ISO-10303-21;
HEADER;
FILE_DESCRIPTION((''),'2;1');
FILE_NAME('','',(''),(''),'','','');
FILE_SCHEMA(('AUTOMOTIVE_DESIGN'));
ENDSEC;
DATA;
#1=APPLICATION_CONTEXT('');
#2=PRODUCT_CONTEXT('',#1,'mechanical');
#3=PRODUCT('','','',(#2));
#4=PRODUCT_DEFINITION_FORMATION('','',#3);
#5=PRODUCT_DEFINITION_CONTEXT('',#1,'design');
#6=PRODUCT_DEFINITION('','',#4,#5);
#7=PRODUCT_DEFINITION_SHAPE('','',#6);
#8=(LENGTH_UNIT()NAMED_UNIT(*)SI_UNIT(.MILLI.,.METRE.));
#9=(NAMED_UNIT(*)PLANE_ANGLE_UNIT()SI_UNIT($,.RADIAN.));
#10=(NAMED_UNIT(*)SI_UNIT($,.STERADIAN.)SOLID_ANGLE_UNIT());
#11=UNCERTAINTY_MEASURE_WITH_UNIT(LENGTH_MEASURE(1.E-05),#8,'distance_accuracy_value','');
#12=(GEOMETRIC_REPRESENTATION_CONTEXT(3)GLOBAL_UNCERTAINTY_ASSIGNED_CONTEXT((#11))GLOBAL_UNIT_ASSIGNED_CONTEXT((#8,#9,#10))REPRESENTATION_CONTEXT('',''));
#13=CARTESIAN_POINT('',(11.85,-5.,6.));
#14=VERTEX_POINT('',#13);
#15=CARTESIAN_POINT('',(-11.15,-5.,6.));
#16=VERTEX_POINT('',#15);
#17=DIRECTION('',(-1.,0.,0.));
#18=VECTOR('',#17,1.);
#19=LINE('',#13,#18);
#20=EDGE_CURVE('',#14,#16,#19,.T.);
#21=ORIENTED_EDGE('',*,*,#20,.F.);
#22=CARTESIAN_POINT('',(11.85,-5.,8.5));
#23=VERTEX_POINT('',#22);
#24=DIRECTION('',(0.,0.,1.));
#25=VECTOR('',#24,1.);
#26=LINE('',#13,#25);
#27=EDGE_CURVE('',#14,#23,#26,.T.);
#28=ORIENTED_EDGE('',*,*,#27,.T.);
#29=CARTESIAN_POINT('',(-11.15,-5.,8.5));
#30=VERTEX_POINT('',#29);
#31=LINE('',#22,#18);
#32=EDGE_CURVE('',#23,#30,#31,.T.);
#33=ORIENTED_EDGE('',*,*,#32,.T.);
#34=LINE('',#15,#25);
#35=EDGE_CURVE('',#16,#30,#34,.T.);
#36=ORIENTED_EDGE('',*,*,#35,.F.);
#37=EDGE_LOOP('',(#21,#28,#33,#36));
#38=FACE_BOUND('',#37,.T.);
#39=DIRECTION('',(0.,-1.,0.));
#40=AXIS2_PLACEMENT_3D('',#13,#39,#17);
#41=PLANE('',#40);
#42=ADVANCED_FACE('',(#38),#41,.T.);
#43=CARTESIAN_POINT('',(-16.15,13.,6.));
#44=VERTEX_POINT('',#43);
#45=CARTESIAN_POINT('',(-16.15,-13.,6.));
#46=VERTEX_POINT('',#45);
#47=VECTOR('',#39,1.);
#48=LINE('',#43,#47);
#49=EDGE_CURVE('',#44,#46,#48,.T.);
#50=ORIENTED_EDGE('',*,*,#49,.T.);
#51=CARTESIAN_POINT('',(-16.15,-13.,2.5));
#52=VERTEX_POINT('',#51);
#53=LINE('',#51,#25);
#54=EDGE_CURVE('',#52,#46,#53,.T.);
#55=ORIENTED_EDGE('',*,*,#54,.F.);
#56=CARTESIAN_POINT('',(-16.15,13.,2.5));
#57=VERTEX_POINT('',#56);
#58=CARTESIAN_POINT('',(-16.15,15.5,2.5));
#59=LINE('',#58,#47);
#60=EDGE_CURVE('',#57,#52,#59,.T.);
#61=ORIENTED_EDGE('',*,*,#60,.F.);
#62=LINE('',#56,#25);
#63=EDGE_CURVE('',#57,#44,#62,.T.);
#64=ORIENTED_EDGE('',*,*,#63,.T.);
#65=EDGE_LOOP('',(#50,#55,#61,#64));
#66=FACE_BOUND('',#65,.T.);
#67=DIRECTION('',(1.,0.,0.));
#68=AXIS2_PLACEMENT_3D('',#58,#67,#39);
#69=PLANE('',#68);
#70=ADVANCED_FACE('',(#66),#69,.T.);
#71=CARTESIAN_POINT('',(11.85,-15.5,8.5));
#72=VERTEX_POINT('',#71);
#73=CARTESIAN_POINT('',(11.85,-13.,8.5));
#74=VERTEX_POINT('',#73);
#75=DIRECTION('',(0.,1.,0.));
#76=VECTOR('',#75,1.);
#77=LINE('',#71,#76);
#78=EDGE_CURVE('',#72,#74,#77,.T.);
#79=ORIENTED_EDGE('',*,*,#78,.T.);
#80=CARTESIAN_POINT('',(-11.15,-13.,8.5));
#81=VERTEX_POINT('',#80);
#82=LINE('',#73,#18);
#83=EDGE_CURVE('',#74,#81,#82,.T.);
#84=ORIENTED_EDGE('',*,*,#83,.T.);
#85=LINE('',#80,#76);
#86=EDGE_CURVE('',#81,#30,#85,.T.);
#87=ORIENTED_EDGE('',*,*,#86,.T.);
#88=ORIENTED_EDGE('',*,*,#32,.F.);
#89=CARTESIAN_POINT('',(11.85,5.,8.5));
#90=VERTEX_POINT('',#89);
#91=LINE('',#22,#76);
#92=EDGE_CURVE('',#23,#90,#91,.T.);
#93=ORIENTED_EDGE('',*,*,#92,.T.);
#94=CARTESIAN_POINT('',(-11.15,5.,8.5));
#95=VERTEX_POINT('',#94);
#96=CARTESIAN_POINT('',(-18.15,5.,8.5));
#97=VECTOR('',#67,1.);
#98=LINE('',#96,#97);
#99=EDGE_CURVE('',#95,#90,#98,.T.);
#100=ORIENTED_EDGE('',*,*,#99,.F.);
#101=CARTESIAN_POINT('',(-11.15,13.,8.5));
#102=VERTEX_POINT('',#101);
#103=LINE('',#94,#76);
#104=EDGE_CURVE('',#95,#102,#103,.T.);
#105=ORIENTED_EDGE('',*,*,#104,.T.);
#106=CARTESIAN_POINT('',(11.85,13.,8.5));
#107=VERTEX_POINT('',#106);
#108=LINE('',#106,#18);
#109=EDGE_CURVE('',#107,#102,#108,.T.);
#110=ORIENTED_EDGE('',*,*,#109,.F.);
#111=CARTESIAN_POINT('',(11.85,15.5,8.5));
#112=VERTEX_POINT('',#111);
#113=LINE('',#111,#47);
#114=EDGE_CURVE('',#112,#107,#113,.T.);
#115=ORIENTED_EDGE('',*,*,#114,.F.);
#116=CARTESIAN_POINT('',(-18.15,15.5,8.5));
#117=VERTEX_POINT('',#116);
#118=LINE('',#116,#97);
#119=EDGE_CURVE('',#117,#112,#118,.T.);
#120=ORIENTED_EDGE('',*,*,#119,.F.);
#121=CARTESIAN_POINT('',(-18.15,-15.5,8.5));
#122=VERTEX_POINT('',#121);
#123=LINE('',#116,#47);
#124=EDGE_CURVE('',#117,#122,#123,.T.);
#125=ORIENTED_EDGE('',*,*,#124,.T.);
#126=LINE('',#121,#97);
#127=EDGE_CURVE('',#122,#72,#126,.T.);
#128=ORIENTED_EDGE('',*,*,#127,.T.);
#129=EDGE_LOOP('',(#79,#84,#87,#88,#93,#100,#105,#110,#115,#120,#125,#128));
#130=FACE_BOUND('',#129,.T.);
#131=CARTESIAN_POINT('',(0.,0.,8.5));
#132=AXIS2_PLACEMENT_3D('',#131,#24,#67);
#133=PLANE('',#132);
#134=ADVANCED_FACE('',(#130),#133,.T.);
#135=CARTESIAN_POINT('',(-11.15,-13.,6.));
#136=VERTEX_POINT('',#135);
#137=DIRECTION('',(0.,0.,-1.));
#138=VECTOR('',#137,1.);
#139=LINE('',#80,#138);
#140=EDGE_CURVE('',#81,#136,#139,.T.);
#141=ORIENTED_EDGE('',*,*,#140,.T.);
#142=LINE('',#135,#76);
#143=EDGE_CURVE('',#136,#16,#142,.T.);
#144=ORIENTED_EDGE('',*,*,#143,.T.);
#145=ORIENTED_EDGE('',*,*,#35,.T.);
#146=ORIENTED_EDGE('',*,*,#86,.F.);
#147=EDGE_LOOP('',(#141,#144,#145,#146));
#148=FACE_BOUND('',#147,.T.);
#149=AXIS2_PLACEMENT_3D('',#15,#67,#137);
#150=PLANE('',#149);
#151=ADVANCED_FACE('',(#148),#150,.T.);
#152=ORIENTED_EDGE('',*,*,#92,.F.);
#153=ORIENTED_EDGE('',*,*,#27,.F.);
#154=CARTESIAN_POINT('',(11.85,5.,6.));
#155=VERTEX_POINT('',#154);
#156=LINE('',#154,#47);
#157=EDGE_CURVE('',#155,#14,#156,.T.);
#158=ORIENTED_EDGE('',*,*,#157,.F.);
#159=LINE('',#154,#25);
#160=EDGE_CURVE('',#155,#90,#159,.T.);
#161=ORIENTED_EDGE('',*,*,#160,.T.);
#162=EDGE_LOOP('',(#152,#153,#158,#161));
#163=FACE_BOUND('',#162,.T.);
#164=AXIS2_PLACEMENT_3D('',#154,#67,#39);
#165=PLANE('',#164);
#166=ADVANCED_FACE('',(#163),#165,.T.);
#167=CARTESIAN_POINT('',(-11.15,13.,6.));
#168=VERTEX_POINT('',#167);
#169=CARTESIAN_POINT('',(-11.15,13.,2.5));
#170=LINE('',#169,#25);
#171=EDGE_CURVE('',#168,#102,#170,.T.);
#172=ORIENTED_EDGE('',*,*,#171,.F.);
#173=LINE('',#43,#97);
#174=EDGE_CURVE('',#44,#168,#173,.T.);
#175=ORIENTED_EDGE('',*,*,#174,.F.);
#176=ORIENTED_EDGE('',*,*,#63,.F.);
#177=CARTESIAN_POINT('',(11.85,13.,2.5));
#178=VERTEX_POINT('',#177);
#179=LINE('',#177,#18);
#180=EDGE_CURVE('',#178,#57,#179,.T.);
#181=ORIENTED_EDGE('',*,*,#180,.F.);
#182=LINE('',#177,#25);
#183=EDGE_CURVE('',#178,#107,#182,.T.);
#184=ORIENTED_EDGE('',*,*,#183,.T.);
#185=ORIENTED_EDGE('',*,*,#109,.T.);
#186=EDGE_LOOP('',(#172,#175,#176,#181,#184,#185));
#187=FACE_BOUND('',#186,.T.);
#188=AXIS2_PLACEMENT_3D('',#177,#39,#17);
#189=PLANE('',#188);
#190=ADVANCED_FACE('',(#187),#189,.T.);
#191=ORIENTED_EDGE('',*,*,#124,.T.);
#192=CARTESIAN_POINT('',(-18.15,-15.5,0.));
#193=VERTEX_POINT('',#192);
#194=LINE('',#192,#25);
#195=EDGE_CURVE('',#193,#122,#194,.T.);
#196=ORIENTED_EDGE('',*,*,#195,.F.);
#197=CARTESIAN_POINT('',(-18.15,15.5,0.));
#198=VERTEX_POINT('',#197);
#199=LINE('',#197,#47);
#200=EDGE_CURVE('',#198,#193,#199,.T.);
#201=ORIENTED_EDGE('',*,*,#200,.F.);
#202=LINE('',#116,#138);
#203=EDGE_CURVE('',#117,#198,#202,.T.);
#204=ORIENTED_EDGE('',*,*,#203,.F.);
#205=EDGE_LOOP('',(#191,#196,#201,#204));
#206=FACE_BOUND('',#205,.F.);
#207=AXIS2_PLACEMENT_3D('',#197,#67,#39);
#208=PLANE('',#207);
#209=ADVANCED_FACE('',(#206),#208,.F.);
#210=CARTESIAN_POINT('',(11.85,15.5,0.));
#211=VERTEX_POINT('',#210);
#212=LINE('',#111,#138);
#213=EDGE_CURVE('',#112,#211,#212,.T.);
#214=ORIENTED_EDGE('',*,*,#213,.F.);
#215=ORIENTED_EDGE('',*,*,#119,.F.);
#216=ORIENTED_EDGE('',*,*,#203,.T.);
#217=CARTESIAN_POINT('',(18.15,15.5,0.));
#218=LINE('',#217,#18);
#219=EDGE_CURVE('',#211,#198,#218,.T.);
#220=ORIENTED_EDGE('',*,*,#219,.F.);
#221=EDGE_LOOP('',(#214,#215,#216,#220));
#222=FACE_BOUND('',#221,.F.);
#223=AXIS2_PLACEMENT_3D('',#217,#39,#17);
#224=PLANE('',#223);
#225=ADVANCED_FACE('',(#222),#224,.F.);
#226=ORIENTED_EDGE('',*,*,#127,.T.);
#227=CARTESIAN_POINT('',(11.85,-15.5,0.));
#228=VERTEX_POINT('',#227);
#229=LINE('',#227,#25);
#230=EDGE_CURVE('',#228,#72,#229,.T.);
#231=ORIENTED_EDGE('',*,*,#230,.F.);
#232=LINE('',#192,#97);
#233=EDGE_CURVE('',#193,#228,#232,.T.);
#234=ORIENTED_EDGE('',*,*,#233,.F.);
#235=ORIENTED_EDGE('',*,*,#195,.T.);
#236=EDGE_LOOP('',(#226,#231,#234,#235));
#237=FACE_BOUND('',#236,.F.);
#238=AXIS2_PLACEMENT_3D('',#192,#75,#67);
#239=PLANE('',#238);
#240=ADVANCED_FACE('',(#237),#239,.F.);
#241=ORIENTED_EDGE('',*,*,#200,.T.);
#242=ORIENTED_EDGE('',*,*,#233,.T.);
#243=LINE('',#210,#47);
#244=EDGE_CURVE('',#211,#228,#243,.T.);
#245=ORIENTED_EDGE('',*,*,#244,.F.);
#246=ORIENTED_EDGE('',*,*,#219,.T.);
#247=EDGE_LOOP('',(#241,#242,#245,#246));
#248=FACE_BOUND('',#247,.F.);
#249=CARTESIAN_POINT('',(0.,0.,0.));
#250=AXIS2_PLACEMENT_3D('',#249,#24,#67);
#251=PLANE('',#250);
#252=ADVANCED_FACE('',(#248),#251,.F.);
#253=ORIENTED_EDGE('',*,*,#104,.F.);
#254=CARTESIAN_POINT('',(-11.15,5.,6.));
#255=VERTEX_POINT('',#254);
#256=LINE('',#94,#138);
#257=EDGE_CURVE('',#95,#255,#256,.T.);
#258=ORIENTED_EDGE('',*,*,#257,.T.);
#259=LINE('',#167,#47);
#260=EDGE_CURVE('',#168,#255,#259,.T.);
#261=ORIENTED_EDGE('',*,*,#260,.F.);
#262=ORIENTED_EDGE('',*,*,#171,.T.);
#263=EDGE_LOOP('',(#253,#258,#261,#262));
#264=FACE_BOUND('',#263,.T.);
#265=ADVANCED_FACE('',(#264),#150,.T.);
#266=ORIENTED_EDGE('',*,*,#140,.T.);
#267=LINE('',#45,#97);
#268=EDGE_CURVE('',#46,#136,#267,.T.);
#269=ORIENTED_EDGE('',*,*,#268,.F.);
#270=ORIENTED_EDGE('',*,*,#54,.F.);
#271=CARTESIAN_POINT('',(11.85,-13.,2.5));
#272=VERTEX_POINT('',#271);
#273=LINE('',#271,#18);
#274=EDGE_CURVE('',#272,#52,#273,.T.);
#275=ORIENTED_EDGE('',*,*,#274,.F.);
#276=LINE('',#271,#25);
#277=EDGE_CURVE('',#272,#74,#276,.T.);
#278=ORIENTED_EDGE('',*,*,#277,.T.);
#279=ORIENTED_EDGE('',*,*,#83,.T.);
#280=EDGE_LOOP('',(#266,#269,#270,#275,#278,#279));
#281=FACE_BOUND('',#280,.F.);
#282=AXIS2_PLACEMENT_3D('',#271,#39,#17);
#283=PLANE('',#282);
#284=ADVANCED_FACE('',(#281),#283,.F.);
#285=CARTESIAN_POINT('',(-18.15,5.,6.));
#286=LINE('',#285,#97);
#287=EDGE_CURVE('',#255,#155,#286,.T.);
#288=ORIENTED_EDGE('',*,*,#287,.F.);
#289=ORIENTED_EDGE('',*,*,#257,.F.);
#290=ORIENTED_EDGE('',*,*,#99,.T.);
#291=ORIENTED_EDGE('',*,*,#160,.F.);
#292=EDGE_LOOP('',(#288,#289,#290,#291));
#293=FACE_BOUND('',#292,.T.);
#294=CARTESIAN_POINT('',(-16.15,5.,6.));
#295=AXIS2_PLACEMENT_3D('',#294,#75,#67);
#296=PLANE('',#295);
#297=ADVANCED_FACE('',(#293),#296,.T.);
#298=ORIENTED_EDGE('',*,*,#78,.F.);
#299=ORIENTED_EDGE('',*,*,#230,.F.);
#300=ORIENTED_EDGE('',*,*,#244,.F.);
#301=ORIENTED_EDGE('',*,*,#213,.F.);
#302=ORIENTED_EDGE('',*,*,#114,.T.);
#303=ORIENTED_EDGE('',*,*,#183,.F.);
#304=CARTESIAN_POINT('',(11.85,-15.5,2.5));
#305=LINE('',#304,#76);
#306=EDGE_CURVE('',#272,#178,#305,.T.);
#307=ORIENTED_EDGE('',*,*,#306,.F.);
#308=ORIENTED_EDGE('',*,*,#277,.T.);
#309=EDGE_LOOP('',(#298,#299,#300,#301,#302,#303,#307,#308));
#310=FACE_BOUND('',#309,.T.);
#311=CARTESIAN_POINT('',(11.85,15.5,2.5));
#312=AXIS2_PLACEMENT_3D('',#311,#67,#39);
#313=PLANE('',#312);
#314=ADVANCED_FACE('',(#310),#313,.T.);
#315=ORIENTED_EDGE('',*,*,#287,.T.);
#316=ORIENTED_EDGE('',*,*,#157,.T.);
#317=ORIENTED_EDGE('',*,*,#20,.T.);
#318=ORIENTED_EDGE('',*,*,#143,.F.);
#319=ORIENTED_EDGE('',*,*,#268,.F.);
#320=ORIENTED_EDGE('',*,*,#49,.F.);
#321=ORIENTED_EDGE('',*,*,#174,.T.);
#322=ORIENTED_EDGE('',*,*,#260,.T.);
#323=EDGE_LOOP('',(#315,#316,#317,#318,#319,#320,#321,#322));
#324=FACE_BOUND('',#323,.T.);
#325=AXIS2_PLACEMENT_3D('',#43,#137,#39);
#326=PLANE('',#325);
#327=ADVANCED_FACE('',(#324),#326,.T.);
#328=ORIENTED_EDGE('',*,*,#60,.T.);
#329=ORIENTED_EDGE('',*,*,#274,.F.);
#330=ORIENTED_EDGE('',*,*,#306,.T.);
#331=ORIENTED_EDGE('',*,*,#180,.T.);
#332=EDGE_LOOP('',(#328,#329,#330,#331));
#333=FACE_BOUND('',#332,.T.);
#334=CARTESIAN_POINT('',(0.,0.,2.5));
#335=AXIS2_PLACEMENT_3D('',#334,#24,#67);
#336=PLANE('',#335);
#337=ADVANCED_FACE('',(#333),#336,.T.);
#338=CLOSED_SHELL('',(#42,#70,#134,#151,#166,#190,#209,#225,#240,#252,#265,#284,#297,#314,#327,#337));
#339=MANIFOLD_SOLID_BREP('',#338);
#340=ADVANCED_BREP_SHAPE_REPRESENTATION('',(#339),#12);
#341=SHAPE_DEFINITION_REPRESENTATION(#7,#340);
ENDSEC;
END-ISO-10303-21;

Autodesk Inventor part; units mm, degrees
sketch "Sketch1" plane through (0, 0, 0) normal (0, 0, 1) x (1, 0, 0)
  line L0 (0, 2.8582) -> (0, -2.8582) construction
  line L1 (-5.7775, 0) -> (5.7775, 0) construction
  line L2 (-18.15, -15.5) -> (18.15, -15.5)
  line L3 (18.15, -15.5) -> (18.15, 15.5)
  line L4 (18.15, 15.5) -> (-18.15, 15.5)
  line L5 (-18.15, 15.5) -> (-18.15, -15.5)
  line L6 (-18.15, -15.5) -> (18.15, 15.5) construction
  line L7 (18.15, -15.5) -> (-18.15, 15.5) construction
  point P0 (0, 0)
  point P1 (0, 0)
  dimension "d0" = 36.3
  dimension "d1" = 31
extrude "Extrusion1" add sketch "Sketch1" along normal blind 2.5
sketch "Sketch2" plane through (0, 0, 2.5) normal (0, 0, 1) x (1, 0, 0)
  line L0 (18.15, -15.5) -> (-18.15, -15.5) projected
  line L1 (-18.15, -15.5) -> (-18.15, 15.5) projected
  line L2 (-18.15, 15.5) -> (18.15, 15.5) projected
  line L3 (18.15, 15.5) -> (18.15, -15.5) projected
  line L4 (-18.15, 15.5) -> (-16.15, 15.5)
  line L5 (-16.15, 15.5) -> (-16.15, -15.5)
  line L6 (-16.15, -15.5) -> (-18.15, -15.5)
  line L7 (-18.15, -15.5) -> (-18.15, 15.5)
  point P0 (0, 0)
  dimension "d4" = 2
extrude "Extrusion2" add sketch "Sketch2" along normal blind 3.5 contours L0 L1 L2 L5
sketch "Sketch3" plane through (0, 0, 6) normal (0, 0, 1) x (1, 0, 0)
  line L0 (-16.15, 15.5) -> (-16.15, -15.5) projected
  line L1 (-16.15, -15.5) -> (-18.15, -15.5) projected
  line L2 (-18.15, -15.5) -> (-18.15, 15.5) projected
  line L3 (-18.15, 15.5) -> (-16.15, 15.5) projected
  line L4 (-18.15, 5) -> (11.85, 5)
  line L5 (11.85, 5) -> (11.85, -5)
  line L6 (11.85, -5) -> (-18.15, -5)
  line L7 (-18.15, -5) -> (-18.15, 5)
  line L8 (-25.41, 0) -> (25.41, 0) projected
  point P0 (0, 0)
  point P1 (-16.15, 5)
  point P2 (-16.15, -5)
  dimension "d7" = 10
  dimension "d8" = 5
  dimension "d9" = 30
extrude "Extrusion3" add sketch "Sketch3" along normal blind 2.5
sketch "Sketch4" plane through (0, 0, 2.5) normal (0, 0, 1) x (1, 0, 0)
  line L0 (-16.15, 15.5) -> (-16.15, -15.5) projected
  line L1 (18.15, -15.5) -> (-16.15, -15.5) projected
  line L2 (18.15, 15.5) -> (18.15, -15.5) projected
  line L3 (-16.15, 15.5) -> (18.15, 15.5) projected
  line L4 (-18.15, 15.5) -> (-16.15, 15.5) projected
  line L5 (-18.15, -15.5) -> (-18.15, 15.5) projected
  line L6 (-16.15, -15.5) -> (-18.15, -15.5) projected
  line L7 (-16.15, 15.5) -> (11.85, 15.5)
  line L8 (11.85, 15.5) -> (11.85, 13)
  line L9 (11.85, 13) -> (-16.15, 13)
  line L10 (-16.15, 13) -> (-16.15, 15.5)
  line L11 (-16.15, -15.5) -> (11.85, -15.5)
  line L12 (11.85, -15.5) -> (11.85, -13)
  line L13 (11.85, -13) -> (-16.15, -13)
  line L14 (-16.15, -13) -> (-16.15, -15.5)
  point P0 (18.15, 13.5)
  point P1 (11.85, -15.5)
  point P2 (11.85, 15.5)
  dimension "d16" = 2.5
  dimension "d17" = 6.3
  dimension "d18" = 6.3
  dimension "d19" = 2.5
extrude "Extrusion4" add sketch "Sketch4" along normal up to surface (6 mm away) contours L3 L8 L9 L0 | L13 L12 L1 L0
sketch "Sketch5" plane through (0, 0, 2.5) normal (0, 0, 1) x (1, 0, 0)
  line L0 (11.85, 13) -> (-16.15, 13) projected
  line L1 (-16.15, -13) -> (-16.15, 13) projected
  line L2 (-16.15, -13) -> (11.85, -13) projected
  line L3 (11.85, -13) -> (11.85, -15.5) projected
  line L4 (18.15, -15.5) -> (11.85, -15.5) projected
  line L5 (18.15, 15.5) -> (18.15, -15.5) projected
  line L6 (11.85, 15.5) -> (18.15, 15.5) projected
  line L7 (11.85, 15.5) -> (11.85, 13) projected
  line L8 (11.85, -15.5) -> (-18.15, -15.5) projected
  line L9 (-18.15, -15.5) -> (-18.15, 15.5) projected
  line L10 (-18.15, 15.5) -> (11.85, 15.5) projected
  line L11 (18.15, -15.5) -> (11.85, -15.5)
  line L12 (11.85, -15.5) -> (11.85, 15.5)
  line L13 (11.85, 15.5) -> (18.15, 15.5)
  line L14 (18.15, 15.5) -> (18.15, -15.5)
  point P0 (0, 0)
extrude "Extrusion5" cut sketch "Sketch5" against normal up to surface (2.5 mm away) contours L7 L6 L5 L4 L3 L12
sketch "Sketch6" plane through (-16.15, -5, 6) normal (1, 0, 0) x (0, 0, -1)
  line L0 (0, 0) -> (-2.5, 0) projected
  line L1 (-2.5, -8) -> (-2.5, 0) projected
  line L2 (-2.5, -10.5) -> (-2.5, -8) projected
  line L3 (6, -10.5) -> (-2.5, -10.5) projected
  line L4 (6, 20.5) -> (6, -10.5) projected
  line L5 (-2.5, 20.5) -> (6, 20.5) projected
  line L6 (-2.5, 18) -> (-2.5, 20.5) projected
  line L7 (-2.5, 10) -> (-2.5, 18) projected
  line L8 (-2.5, 0) -> (-2.5, 10) projected
  line L9 (0, 10) -> (0, 0) projected
  line L10 (-2.5, 10) -> (0, 10) projected
  line L11 (-2.5, -8) -> (3.5, -8) projected
  line L12 (3.5, -8) -> (3.5, 18) projected
  line L13 (3.5, 18) -> (-2.5, 18) projected
  line L14 (0, 0) -> (-2.5, 0)
  line L15 (-2.5, 0) -> (-2.5, -8)
  line L16 (-2.5, -8) -> (0, -8)
  line L17 (0, -8) -> (0, 0)
  line L18 (-2.5, 10) -> (-2.5, 18) projected
  line L19 (0, 10) -> (-2.5, 10)
  line L20 (-2.5, 10) -> (-2.5, 18)
  line L21 (-2.5, 18) -> (0, 18)
  line L22 (0, 18) -> (0, 10)
  point P0 (6, 5)
extrude "Extrusion6" add sketch "Sketch6" along normal blind 5 contours L17 L11 L1 L0 | L10 L7 L13 L22
equation "\"d8\" = 0.5 * d7"
equation "\"d18\" = d17"
equation "\"d19\" = d16"
properties part number "LOLIN C3 Mini Holder" material "S235"
